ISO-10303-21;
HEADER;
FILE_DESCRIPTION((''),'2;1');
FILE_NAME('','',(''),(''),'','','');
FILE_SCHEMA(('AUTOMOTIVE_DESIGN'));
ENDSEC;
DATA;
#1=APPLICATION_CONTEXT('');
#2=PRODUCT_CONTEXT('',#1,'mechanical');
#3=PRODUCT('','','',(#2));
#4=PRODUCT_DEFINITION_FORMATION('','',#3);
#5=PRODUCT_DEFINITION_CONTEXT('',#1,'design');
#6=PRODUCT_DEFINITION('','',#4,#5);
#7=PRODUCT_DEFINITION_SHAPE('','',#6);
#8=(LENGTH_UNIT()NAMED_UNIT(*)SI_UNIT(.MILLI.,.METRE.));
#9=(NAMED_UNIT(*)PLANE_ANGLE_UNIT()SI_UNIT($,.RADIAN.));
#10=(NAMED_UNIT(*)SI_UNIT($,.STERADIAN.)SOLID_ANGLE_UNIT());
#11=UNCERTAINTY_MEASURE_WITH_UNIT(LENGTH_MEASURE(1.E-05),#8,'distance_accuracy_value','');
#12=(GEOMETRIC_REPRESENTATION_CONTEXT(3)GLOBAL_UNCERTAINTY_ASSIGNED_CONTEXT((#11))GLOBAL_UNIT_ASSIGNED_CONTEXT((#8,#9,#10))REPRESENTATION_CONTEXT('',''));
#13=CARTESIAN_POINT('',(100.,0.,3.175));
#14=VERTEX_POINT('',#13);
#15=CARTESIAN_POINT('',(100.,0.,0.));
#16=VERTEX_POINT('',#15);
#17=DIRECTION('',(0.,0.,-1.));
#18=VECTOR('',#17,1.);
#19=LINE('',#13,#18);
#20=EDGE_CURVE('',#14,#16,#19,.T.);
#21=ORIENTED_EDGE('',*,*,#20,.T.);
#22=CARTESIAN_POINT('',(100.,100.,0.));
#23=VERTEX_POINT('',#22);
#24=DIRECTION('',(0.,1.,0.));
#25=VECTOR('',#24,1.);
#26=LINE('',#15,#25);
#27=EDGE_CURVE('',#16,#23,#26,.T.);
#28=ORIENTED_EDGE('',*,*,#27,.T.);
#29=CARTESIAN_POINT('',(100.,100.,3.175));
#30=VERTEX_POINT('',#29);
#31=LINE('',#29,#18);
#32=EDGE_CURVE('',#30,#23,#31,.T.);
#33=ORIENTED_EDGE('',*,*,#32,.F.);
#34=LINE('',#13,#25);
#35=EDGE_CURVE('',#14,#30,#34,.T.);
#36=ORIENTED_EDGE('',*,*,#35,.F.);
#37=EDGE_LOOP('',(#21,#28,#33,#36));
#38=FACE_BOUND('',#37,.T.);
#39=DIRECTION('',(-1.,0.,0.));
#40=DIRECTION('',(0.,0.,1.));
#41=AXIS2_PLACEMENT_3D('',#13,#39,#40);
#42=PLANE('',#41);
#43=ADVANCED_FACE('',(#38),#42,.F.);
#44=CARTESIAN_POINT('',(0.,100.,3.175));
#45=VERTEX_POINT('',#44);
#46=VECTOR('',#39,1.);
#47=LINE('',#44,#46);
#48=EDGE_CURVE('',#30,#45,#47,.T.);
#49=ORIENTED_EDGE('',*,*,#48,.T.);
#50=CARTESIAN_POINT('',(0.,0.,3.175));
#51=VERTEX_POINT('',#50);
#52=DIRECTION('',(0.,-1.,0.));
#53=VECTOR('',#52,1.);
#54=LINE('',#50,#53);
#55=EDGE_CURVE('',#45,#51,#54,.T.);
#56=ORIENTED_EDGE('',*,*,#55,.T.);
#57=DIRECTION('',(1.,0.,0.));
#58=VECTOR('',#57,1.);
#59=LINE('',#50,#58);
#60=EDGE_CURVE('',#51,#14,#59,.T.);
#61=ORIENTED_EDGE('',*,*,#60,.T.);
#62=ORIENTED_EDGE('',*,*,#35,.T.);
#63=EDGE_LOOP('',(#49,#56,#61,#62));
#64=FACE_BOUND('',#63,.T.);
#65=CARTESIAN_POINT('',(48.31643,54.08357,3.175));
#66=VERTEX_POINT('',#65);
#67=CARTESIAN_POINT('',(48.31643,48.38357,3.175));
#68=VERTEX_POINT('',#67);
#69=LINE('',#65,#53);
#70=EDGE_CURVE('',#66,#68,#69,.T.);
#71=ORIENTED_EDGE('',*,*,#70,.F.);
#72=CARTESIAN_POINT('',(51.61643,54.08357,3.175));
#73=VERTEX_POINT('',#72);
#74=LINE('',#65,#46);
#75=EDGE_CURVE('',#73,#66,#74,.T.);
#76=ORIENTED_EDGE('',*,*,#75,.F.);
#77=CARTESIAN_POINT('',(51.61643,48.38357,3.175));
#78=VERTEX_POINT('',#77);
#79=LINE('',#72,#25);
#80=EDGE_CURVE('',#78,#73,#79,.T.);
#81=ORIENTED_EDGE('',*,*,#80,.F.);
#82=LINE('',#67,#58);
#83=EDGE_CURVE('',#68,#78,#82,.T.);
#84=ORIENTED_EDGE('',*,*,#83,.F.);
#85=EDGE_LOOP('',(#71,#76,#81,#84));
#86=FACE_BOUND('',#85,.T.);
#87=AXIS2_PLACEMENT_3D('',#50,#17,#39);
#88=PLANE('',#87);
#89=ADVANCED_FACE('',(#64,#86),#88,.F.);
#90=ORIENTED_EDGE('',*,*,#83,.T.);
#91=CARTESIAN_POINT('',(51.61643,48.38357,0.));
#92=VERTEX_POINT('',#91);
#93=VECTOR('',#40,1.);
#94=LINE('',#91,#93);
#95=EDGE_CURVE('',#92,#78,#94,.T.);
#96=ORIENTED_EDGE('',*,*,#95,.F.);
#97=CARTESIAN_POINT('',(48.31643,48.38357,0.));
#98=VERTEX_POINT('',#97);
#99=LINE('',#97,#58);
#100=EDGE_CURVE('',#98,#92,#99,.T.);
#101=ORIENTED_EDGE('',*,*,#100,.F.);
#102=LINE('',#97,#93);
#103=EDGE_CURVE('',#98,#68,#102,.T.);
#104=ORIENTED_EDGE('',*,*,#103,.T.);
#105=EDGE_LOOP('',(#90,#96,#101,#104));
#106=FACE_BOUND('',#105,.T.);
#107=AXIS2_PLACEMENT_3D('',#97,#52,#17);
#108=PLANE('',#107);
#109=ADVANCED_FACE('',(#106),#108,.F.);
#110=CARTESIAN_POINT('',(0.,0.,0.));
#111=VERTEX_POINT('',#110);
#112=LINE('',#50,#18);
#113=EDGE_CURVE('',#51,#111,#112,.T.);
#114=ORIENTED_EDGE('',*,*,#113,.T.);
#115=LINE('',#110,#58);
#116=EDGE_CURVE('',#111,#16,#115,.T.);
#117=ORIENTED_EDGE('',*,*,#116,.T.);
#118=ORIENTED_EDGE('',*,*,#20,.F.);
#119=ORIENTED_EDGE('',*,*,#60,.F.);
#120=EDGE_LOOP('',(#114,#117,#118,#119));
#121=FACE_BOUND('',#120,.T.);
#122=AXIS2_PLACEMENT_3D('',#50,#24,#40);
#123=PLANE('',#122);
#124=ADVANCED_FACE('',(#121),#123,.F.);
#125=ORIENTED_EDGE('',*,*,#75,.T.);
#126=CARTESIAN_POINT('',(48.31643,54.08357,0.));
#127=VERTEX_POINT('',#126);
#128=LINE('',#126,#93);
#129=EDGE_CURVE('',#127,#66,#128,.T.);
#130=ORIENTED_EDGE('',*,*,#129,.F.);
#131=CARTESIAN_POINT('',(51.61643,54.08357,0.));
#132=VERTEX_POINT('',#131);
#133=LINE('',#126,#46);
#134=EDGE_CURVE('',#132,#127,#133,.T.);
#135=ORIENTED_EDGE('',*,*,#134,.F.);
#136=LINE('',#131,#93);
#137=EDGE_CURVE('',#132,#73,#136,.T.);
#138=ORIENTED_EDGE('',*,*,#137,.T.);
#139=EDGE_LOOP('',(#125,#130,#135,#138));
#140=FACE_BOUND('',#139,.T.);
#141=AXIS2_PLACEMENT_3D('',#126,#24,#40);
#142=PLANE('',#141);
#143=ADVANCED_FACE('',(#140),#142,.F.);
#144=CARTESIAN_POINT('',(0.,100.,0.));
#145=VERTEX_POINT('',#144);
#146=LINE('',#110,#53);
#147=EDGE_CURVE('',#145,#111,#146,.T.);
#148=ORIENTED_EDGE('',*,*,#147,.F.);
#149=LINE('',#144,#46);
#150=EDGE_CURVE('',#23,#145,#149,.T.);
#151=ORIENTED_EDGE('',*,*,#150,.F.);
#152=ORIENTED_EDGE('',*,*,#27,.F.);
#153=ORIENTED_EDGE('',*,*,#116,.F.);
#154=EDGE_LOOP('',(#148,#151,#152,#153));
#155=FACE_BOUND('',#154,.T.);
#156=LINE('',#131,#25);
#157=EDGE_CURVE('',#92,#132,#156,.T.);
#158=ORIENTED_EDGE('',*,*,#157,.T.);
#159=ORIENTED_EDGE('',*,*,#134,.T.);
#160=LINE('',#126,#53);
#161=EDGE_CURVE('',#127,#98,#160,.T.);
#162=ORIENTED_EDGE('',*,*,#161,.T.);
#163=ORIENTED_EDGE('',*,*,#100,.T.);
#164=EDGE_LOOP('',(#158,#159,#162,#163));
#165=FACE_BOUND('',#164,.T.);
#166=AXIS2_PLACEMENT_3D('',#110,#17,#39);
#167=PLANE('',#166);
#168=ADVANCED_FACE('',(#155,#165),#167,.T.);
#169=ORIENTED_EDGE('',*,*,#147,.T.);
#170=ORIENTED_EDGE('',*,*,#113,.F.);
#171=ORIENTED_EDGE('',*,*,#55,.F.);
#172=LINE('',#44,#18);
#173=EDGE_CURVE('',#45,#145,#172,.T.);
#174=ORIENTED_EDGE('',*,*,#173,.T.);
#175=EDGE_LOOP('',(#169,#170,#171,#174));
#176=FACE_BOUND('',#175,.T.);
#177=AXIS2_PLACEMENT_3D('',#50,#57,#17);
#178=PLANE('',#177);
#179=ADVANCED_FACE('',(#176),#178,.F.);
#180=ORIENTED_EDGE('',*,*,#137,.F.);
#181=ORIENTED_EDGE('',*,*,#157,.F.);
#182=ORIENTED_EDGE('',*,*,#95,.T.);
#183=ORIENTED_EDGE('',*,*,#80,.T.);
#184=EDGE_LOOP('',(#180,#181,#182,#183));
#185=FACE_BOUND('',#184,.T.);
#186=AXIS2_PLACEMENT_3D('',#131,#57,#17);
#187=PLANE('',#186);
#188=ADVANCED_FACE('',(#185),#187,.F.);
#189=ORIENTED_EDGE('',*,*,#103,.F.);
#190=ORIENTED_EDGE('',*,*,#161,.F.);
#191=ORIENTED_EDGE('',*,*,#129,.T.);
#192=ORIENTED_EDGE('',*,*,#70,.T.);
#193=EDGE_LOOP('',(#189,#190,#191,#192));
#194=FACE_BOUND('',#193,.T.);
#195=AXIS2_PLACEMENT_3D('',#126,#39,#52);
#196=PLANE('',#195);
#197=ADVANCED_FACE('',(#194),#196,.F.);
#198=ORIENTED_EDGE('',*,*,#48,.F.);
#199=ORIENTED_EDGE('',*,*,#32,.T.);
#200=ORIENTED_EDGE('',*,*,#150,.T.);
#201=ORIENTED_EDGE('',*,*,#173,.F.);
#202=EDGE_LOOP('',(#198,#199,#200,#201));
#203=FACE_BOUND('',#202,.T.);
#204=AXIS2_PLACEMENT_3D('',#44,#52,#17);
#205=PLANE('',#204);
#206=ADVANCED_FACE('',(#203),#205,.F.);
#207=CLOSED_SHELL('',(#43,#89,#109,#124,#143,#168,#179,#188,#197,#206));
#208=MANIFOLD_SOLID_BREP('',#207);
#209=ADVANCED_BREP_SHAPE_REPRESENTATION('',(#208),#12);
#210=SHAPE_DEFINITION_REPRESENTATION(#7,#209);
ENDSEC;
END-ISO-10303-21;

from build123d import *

# Parameters (mm, degrees)
SKETCH1_W           = 100
SKETCH1_H           = 100
BOSS_EXTRUDE1_DEPTH = 3.175
SKETCH3_W           = 3.3
SKETCH3_H           = 5.7
CUT_EXTRUDE1_DEPTH  = 4.175


with BuildPart() as part:
    # Sketch1 → Boss-Extrude1 (new body)
    with BuildSketch(Plane.XY):
        with Locations((50, 50)):
            Rectangle(SKETCH1_W, SKETCH1_H)
    extrude(amount=BOSS_EXTRUDE1_DEPTH)

    # Sketch3 → Cut-Extrude1 (cut, through all)
    with BuildSketch(Plane.XY.offset(3.175)):
        with Locations((49.966429689, 51.233570311)):
            Rectangle(SKETCH3_W, SKETCH3_H)
    extrude(amount=-CUT_EXTRUDE1_DEPTH, mode=Mode.SUBTRACT)


solid = part.part
